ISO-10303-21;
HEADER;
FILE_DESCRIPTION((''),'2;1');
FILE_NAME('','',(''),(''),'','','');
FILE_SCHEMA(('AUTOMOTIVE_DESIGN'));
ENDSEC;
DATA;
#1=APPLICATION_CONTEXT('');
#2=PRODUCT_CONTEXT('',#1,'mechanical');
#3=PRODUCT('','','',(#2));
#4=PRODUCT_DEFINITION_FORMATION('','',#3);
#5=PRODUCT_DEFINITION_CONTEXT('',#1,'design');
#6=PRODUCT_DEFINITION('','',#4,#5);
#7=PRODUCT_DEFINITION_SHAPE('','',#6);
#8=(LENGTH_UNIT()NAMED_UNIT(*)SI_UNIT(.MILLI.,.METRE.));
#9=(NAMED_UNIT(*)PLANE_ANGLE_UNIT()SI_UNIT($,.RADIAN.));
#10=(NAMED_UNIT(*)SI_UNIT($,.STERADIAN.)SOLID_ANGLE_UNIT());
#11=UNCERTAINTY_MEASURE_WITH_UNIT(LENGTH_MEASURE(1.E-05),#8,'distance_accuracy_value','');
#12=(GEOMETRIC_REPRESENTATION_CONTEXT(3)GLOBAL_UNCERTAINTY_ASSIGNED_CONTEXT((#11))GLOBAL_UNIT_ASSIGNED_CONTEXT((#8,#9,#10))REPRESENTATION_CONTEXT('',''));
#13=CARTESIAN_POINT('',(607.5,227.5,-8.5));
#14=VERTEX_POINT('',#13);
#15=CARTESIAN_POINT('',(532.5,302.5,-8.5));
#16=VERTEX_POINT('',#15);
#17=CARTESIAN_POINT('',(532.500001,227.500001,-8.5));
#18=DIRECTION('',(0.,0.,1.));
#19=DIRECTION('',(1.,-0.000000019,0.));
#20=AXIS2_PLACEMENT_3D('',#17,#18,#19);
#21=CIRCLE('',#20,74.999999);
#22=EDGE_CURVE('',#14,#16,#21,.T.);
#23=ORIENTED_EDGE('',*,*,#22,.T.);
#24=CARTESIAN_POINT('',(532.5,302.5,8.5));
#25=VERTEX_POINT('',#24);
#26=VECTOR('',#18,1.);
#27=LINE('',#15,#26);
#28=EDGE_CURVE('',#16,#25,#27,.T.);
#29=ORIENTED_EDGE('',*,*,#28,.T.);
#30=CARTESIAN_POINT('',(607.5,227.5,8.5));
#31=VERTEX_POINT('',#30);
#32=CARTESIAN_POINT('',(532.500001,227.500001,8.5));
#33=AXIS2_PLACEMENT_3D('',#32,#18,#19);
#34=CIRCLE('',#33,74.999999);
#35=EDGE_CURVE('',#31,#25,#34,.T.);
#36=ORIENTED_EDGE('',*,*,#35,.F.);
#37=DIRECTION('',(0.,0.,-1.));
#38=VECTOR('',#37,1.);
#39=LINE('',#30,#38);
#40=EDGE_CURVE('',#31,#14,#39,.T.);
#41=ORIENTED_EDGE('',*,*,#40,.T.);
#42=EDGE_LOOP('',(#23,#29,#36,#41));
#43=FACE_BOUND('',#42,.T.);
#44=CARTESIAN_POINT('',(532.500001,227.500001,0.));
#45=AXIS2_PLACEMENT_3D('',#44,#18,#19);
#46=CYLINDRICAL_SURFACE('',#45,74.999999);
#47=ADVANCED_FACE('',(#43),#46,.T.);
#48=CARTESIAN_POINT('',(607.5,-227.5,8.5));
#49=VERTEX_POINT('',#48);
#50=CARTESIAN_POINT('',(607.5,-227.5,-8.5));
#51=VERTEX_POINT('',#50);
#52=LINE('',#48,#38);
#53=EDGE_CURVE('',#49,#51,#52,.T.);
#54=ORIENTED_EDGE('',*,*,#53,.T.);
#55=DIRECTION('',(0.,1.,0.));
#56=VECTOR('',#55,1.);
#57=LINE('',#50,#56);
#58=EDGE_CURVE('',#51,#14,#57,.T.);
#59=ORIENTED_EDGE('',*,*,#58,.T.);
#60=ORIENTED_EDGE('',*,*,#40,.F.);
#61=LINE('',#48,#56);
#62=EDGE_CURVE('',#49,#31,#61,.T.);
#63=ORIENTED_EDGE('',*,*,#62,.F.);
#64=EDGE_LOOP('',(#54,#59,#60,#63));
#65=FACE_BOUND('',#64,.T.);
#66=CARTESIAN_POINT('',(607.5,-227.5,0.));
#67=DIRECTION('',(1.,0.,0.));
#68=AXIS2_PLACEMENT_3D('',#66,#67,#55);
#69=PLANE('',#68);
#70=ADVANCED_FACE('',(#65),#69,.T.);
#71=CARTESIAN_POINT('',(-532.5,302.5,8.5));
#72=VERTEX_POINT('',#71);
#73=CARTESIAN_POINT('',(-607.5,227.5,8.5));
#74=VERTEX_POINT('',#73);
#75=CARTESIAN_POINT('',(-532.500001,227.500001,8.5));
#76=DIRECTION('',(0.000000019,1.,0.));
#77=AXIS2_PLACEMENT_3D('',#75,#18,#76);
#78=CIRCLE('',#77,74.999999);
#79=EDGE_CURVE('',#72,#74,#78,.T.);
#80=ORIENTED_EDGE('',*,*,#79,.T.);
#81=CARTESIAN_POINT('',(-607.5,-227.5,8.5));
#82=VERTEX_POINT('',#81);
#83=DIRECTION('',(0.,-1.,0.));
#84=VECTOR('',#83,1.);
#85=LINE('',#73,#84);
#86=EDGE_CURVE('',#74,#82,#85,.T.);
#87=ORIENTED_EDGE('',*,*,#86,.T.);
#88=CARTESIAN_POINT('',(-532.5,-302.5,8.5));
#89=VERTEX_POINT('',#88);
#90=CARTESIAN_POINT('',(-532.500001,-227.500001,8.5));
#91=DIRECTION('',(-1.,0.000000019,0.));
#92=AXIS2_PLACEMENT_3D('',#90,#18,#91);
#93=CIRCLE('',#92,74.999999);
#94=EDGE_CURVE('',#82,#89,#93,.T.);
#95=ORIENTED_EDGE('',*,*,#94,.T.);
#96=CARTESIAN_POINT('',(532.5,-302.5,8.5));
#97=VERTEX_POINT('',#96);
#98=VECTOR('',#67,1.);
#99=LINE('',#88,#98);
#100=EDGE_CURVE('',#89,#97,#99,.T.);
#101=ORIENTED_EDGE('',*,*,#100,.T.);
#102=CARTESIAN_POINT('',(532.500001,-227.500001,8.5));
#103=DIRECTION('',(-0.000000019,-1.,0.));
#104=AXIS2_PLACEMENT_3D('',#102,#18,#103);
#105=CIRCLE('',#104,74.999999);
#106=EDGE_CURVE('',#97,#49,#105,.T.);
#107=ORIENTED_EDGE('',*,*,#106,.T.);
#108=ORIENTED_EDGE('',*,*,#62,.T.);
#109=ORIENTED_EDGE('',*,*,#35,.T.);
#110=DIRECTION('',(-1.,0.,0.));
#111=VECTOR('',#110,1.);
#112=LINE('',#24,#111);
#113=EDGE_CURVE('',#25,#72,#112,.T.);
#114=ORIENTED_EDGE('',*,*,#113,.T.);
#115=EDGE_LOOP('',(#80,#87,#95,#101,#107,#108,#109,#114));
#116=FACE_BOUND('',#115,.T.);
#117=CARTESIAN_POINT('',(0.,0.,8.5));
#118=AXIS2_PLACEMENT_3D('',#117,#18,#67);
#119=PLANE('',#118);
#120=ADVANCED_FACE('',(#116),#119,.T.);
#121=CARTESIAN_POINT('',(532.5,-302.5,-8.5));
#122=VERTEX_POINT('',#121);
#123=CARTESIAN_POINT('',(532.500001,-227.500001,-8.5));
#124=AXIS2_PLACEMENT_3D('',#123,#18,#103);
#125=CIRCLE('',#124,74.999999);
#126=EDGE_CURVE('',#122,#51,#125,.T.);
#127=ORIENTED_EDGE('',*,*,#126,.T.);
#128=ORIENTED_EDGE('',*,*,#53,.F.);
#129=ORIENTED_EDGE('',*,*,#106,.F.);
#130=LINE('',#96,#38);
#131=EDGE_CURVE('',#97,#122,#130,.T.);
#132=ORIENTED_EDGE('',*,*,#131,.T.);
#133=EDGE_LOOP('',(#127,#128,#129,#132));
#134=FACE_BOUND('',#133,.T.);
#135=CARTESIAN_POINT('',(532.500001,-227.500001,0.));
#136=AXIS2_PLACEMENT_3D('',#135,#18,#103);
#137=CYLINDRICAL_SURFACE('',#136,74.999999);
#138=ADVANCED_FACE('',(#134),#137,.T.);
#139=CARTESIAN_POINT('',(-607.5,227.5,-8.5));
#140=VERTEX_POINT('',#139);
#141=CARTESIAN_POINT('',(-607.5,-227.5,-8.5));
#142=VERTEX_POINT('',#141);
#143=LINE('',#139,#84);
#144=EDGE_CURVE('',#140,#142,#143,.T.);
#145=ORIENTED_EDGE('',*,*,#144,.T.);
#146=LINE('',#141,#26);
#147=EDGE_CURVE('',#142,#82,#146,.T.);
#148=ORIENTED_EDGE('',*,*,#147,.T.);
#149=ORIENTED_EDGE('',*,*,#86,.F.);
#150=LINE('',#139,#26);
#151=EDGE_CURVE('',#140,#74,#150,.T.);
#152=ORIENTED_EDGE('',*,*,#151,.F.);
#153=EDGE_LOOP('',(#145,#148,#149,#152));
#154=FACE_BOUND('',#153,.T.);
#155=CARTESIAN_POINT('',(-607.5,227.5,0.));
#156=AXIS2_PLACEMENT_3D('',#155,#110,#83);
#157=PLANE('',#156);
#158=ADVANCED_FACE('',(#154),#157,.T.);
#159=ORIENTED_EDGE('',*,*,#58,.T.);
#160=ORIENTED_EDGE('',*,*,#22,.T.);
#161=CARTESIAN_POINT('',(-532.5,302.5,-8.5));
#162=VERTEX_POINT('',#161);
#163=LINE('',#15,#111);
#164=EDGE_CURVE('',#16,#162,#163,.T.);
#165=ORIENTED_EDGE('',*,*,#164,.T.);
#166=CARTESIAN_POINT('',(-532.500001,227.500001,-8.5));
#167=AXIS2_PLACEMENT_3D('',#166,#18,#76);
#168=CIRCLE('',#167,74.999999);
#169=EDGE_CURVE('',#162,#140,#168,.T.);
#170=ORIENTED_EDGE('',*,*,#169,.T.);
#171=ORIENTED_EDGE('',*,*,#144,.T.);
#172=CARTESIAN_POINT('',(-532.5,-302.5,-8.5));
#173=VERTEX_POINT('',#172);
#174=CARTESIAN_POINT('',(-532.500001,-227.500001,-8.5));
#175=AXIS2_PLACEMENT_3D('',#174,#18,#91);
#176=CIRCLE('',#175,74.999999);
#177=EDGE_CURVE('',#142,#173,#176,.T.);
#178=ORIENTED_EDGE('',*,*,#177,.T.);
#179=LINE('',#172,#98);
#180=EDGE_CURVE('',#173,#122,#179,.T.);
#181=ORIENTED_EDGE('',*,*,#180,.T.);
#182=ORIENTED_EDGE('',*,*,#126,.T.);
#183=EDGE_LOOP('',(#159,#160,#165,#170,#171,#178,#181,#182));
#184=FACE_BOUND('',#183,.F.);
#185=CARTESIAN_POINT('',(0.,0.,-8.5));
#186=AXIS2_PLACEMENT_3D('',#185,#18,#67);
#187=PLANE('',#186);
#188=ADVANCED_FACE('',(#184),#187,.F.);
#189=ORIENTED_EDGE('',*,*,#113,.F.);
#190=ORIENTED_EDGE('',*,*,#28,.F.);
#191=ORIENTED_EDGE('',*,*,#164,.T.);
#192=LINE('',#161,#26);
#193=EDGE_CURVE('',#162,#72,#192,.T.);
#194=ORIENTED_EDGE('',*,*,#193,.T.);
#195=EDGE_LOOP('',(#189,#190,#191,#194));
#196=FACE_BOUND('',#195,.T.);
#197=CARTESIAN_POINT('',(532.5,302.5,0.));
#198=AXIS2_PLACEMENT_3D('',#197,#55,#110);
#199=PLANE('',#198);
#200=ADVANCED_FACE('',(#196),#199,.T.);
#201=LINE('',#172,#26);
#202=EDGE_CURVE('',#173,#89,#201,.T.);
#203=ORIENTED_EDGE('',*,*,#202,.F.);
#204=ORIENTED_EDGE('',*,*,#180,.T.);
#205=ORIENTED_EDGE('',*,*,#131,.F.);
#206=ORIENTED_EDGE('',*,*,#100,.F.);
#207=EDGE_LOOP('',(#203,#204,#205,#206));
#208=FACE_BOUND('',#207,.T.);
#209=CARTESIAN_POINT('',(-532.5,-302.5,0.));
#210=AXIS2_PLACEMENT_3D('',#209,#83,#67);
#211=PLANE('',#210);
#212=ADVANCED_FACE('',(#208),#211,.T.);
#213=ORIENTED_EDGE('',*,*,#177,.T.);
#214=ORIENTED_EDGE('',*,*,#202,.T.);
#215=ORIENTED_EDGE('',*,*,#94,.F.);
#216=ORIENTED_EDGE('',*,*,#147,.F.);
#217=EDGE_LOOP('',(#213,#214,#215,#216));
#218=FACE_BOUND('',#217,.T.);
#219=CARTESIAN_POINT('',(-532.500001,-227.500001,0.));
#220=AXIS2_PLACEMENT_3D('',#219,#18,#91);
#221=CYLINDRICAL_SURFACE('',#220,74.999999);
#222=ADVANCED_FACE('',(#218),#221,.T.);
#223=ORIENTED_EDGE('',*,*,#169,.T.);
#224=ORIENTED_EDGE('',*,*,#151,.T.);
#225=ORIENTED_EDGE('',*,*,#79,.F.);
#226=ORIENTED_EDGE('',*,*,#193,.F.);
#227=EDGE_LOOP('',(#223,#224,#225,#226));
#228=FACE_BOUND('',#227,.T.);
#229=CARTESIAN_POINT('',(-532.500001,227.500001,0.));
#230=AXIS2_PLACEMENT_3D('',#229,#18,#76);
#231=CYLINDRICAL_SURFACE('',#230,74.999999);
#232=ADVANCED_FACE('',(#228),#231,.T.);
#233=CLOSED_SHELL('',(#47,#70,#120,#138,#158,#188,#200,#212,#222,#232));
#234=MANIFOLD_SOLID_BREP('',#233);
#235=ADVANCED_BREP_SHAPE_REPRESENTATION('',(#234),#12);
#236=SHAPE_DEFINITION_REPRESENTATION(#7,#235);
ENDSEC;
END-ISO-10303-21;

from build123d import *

# Parameters (mm, degrees)
F1_DEPTH = 8.5


with BuildPart() as f1:
    # F0 (on Top) → F1 (new body, symmetric)
    with BuildSketch(Plane.XY):
        with BuildLine():
            ThreePointArc((607.5, 227.5), (585.533009, 280.533009), (532.5, 302.5))
            Line((532.5, 302.5), (-532.5, 302.5))
            ThreePointArc((-532.5, 302.5), (-585.533009, 280.533009), (-607.5, 227.5))
            Line((-607.5, 227.5), (-607.5, -227.5))
            ThreePointArc((-607.5, -227.5), (-585.533009, -280.533009), (-532.5, -302.5))
            Line((-532.5, -302.5), (532.5, -302.5))
            ThreePointArc((532.5, -302.5), (585.533009, -280.533009), (607.5, -227.5))
            Line((607.5, -227.5), (607.5, 227.5))
        make_face()
    extrude(amount=F1_DEPTH, both=True)


solid = f1.part
